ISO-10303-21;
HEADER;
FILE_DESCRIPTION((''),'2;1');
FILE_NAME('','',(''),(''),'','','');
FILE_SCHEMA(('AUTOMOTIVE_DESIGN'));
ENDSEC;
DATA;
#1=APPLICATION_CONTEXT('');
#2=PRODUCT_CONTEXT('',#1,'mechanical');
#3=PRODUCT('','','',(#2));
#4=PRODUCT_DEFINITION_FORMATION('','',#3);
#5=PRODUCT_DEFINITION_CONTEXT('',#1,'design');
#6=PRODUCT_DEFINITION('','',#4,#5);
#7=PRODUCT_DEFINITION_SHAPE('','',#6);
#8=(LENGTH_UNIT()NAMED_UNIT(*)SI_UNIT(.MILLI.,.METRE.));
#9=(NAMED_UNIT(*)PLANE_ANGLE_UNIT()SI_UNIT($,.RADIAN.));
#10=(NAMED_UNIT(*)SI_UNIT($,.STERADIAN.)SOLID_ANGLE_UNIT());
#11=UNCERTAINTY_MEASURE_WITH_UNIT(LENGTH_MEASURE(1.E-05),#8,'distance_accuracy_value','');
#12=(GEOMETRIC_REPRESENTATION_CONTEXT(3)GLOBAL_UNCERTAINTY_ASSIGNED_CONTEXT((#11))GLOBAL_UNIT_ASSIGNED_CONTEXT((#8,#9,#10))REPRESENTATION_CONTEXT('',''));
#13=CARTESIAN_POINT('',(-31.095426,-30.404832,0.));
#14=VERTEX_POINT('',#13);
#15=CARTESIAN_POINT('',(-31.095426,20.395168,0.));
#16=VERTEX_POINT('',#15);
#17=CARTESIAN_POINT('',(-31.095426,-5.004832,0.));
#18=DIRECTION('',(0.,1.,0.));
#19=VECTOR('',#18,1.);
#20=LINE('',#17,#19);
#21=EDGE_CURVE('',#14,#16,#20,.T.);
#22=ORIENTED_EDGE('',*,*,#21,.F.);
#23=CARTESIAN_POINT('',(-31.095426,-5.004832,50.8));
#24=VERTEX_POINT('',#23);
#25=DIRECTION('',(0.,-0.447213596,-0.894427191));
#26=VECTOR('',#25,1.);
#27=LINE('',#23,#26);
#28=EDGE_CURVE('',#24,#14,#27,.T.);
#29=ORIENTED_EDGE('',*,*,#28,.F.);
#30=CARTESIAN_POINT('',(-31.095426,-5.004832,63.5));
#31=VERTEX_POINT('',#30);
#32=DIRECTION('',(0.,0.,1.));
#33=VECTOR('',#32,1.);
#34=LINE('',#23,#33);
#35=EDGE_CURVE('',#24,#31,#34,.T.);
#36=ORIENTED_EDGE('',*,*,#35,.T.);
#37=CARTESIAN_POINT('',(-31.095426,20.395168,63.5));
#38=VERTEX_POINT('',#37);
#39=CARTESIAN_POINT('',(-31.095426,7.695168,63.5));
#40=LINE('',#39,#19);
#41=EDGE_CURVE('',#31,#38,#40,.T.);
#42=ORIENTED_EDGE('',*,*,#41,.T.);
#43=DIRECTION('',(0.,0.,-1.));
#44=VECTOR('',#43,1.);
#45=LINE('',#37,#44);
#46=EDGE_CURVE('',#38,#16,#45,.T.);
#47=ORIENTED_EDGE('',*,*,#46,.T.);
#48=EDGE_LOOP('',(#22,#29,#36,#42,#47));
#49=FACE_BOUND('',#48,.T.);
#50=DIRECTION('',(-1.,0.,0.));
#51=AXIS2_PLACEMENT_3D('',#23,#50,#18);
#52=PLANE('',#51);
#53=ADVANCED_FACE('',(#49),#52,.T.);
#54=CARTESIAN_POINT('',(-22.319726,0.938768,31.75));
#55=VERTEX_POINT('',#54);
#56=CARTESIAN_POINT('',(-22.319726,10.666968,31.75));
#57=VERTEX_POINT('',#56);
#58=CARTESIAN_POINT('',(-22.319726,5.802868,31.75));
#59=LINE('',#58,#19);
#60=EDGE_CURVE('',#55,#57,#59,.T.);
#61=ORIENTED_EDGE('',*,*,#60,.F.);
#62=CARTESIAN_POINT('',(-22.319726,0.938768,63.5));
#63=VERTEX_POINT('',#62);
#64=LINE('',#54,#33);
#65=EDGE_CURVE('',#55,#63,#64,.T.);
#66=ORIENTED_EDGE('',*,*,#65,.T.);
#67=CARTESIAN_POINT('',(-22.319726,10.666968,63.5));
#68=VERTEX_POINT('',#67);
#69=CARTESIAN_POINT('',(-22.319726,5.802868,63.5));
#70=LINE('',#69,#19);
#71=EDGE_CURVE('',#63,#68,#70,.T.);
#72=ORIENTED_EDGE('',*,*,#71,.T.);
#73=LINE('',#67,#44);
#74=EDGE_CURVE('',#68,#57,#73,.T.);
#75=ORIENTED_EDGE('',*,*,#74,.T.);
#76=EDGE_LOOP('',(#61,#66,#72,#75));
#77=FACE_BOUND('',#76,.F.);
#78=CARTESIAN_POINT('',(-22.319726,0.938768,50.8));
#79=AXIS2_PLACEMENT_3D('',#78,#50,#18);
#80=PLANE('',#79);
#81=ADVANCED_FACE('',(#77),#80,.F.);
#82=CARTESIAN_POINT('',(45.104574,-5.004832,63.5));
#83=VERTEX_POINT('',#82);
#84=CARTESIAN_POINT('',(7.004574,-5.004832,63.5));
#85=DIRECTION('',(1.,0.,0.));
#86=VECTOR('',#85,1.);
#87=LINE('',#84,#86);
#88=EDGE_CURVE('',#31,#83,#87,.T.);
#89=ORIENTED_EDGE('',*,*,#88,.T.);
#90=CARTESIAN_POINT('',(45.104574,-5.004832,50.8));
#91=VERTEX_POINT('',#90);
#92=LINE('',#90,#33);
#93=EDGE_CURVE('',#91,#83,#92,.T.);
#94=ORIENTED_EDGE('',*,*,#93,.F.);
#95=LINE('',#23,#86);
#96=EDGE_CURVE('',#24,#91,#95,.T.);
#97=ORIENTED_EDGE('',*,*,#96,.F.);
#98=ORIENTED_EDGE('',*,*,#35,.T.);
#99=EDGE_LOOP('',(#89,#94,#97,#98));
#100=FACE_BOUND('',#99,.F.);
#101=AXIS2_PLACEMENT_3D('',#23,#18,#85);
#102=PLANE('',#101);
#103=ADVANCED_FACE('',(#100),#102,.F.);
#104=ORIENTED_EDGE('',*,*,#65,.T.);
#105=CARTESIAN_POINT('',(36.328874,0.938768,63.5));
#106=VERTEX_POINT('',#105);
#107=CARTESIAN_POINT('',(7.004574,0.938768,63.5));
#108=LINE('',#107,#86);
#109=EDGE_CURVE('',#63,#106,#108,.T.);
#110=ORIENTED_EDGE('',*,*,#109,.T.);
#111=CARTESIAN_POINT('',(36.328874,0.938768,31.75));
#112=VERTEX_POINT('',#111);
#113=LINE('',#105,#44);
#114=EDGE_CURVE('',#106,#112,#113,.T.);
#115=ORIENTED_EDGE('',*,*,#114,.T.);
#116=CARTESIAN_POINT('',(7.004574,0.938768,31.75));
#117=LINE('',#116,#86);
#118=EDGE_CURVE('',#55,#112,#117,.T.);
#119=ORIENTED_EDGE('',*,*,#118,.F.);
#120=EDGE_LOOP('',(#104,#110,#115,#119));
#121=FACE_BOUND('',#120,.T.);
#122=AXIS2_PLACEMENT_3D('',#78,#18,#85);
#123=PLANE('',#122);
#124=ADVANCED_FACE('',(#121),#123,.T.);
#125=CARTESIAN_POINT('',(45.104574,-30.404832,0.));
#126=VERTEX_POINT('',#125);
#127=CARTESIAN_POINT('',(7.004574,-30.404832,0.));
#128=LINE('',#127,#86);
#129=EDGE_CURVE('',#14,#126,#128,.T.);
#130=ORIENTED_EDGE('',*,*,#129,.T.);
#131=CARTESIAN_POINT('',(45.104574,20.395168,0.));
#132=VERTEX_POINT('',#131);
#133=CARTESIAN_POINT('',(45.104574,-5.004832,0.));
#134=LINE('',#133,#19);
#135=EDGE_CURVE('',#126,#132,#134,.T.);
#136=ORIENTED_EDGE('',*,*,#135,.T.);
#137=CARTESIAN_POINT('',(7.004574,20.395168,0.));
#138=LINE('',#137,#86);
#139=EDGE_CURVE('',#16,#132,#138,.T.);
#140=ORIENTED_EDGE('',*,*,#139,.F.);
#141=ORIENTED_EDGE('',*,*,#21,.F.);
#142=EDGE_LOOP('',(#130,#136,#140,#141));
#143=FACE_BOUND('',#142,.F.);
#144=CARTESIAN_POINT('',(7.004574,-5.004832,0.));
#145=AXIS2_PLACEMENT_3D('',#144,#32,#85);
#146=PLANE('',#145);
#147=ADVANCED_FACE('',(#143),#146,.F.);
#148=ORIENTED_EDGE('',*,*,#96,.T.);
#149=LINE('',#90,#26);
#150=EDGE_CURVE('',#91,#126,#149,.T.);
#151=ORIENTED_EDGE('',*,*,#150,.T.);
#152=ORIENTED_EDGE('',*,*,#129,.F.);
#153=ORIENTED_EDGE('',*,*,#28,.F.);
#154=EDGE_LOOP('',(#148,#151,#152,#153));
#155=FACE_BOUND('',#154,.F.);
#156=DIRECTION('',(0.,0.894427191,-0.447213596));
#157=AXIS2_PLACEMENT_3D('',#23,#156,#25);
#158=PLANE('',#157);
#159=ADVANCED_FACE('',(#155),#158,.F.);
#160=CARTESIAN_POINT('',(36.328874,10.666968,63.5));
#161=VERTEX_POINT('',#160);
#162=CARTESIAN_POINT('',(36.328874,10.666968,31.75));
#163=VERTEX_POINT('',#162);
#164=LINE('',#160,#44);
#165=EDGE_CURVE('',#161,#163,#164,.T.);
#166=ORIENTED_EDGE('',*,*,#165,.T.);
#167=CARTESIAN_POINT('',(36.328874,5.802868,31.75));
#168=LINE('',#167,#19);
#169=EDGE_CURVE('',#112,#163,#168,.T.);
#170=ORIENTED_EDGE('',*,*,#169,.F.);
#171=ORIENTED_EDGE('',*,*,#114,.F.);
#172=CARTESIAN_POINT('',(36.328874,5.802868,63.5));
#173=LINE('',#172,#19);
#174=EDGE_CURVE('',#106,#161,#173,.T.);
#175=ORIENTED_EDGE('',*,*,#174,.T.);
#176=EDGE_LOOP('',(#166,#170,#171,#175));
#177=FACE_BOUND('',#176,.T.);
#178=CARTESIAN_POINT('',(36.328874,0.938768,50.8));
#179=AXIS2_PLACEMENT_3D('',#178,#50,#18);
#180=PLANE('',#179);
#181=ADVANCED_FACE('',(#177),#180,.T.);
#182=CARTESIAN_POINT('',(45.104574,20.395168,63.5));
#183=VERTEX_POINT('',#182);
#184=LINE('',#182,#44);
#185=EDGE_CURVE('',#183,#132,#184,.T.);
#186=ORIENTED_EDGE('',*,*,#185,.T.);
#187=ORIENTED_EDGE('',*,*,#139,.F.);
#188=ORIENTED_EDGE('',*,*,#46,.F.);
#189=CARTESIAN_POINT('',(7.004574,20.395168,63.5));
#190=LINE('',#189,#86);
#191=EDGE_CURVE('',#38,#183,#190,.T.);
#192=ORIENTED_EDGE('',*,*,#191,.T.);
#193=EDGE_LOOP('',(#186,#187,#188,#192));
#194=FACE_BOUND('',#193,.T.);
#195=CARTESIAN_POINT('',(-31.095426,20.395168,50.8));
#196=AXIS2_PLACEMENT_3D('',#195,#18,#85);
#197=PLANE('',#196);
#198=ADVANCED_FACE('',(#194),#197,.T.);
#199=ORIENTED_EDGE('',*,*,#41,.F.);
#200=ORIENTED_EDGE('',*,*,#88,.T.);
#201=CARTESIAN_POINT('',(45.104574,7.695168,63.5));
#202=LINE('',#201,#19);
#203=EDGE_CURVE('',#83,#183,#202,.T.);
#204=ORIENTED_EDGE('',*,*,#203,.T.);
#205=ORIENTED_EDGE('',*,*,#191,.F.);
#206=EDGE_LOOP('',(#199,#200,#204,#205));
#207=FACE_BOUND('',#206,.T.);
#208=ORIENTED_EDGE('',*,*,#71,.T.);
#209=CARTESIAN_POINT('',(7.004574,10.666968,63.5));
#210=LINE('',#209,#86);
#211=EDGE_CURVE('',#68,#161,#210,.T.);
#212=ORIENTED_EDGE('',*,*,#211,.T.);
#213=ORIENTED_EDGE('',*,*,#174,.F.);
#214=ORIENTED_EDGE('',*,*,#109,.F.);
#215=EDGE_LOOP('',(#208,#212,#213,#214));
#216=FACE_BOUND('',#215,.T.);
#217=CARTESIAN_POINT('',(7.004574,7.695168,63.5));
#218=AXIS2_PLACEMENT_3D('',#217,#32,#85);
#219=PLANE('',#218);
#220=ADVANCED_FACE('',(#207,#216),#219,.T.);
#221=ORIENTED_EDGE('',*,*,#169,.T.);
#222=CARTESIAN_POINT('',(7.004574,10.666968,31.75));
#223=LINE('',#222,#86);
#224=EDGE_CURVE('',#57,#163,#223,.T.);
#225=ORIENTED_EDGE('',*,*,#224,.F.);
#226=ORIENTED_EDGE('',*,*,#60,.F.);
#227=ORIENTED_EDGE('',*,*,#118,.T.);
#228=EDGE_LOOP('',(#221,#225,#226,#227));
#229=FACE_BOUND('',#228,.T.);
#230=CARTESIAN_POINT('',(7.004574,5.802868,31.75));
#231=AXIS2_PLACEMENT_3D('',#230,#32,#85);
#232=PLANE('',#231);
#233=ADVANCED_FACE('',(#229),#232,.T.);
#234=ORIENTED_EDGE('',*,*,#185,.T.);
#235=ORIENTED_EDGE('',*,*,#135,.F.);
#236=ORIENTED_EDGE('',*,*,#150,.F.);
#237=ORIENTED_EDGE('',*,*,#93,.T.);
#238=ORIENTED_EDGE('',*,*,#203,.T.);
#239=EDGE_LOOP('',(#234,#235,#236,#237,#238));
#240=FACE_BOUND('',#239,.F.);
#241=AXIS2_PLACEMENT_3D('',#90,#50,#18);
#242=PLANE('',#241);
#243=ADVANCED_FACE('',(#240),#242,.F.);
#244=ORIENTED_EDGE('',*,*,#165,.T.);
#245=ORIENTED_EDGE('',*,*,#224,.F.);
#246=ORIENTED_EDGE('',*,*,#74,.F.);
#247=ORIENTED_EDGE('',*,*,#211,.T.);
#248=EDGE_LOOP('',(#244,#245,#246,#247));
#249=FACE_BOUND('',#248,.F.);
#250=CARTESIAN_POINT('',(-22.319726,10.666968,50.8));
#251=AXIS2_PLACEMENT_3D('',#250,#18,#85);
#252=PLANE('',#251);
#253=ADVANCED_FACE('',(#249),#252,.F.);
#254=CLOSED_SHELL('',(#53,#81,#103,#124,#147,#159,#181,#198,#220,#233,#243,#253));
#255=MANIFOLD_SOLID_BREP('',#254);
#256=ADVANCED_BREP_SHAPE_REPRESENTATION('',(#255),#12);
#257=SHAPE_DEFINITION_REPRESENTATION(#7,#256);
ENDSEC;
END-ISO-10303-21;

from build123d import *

# Parameters (mm, degrees)
F0_W        = 76.2
F0_H        = 50.8
F1_DEPTH    = 50.8
F2_W        = 58.6486
F2_H        = 9.7282
F3_DEPTH    = 19.05
F5_DEPTH    = 76.2
F1_FACE_W   = 76.2
F1_FACE_H   = 25.4
F1_FACE_W_2 = 58.6486
F1_FACE_H_2 = 9.7282
F6_DEPTH    = 12.7


with BuildPart() as f1:
    # F0 (on Top) → F1 (new body)
    with BuildSketch(Plane.XY):
        with Locations((7.004574, -5.004832)):
            Rectangle(F0_W, F0_H)
    extrude(amount=F1_DEPTH)

    # F2 (on face) → F3 (cut)
    with BuildSketch(Plane.XY.offset(50.8)):
        with Locations((7.004574, 5.802868)):
            Rectangle(F2_W, F2_H)
    extrude(amount=-F3_DEPTH, mode=Mode.SUBTRACT)

    # F4 (on face) → F5 (cut)
    with BuildSketch(Plane(origin=(-31.095426, 0, 0), x_dir=(0, -1, 0), z_dir=(-1, 0, 0))):
        Polygon((30.404832, 50.8), (5.004832, 50.8), (30.404832, 0), align=None)
    extrude(amount=-F5_DEPTH, mode=Mode.SUBTRACT)

    # F1_face (on face) → F6 (join)
    with BuildSketch(Plane(origin=(7.004574, -5.004832, 50.8), x_dir=(1, 0, 0), z_dir=(0, 0, 1))):
        with Locations((0, 12.7)):
            Rectangle(F1_FACE_W, F1_FACE_H)
        with Locations((0, 10.8077)):
            Rectangle(F1_FACE_W_2, F1_FACE_H_2, mode=Mode.SUBTRACT)
    extrude(amount=F6_DEPTH)


solid = f1.part
